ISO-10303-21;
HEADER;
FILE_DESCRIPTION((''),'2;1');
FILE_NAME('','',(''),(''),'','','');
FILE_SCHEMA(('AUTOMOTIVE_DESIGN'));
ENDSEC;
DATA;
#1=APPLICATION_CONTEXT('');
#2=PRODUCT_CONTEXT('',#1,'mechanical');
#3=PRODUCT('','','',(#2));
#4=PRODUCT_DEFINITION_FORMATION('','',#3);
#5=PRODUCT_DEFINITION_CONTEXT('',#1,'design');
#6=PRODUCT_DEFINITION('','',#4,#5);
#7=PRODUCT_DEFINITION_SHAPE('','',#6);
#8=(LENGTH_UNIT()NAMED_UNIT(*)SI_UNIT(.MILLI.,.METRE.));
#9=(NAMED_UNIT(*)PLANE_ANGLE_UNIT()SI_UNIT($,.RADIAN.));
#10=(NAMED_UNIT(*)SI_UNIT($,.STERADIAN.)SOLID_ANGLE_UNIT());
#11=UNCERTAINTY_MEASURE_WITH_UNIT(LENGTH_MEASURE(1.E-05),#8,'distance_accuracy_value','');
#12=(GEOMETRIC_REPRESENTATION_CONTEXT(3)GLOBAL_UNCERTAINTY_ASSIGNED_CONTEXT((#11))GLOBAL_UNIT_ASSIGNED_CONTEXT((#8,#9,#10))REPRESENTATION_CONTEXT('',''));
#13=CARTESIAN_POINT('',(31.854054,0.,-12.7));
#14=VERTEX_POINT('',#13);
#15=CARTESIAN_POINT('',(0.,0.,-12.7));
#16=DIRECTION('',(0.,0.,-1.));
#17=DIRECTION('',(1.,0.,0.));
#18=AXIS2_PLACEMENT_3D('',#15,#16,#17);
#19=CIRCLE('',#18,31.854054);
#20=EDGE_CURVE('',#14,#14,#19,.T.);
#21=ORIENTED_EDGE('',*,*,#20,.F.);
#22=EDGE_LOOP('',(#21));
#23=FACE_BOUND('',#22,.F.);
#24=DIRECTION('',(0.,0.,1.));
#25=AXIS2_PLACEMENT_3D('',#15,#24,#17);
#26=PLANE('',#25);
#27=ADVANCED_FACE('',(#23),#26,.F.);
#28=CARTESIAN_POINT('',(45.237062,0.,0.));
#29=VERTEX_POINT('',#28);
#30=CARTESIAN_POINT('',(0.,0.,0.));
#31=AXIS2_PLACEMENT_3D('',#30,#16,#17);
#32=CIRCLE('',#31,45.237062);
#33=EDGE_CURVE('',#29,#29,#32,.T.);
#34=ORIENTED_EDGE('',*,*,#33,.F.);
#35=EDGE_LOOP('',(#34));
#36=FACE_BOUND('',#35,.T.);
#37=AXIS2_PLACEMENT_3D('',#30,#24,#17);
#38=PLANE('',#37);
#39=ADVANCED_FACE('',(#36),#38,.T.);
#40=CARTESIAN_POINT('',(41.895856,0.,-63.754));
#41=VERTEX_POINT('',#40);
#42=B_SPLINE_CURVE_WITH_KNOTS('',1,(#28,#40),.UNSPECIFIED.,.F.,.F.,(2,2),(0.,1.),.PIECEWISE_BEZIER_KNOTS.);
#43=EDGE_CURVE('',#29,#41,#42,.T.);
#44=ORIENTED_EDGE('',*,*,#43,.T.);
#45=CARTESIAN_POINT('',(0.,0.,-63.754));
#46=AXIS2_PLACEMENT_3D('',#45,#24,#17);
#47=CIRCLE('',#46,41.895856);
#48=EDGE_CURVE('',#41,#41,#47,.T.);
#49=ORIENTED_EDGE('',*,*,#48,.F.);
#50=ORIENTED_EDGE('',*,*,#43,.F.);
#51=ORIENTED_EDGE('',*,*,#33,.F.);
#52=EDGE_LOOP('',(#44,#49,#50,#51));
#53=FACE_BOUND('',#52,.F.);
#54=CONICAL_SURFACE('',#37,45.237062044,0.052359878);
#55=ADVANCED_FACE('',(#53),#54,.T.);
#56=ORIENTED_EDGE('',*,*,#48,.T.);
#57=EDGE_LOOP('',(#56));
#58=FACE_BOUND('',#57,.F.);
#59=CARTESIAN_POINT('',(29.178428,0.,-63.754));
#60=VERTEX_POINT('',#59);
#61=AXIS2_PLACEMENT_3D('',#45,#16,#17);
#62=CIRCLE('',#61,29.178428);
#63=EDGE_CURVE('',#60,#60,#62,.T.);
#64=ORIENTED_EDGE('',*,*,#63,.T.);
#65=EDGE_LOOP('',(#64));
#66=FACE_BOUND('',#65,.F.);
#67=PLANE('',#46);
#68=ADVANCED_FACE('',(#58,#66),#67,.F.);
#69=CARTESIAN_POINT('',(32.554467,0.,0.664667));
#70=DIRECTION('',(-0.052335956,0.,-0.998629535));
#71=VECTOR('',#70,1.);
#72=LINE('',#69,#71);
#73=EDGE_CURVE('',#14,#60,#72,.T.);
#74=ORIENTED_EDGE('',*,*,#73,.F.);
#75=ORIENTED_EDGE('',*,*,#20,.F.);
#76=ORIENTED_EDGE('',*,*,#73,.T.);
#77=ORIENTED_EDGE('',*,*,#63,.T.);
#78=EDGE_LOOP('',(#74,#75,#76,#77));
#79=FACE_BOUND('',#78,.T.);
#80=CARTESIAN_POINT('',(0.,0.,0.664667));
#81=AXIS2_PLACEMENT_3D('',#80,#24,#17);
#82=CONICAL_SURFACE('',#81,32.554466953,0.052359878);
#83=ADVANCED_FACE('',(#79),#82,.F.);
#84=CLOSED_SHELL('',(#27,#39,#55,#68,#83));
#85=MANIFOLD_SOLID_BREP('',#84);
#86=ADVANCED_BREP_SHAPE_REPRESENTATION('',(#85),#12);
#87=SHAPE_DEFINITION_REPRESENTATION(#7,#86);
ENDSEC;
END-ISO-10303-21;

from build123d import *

# Parameters (mm, degrees)
F0_R     = 45.237062044
F1_DEPTH = 63.754
F1_TAPER = 3
F2_T     = -12.7


with BuildPart() as f1:
    # F0 (on Top) → F1 (new body)
    with BuildSketch(Plane.XY):
        Circle(F0_R)
    extrude(amount=-F1_DEPTH, taper=F1_TAPER)

    # F2
    f2_openings = [f1.faces().sort_by_distance(p)[0] for p in [
        (0, 0, -63.754),
    ]]
    offset(amount=F2_T, openings=f2_openings, kind=Kind.INTERSECTION)


solid = f1.part
